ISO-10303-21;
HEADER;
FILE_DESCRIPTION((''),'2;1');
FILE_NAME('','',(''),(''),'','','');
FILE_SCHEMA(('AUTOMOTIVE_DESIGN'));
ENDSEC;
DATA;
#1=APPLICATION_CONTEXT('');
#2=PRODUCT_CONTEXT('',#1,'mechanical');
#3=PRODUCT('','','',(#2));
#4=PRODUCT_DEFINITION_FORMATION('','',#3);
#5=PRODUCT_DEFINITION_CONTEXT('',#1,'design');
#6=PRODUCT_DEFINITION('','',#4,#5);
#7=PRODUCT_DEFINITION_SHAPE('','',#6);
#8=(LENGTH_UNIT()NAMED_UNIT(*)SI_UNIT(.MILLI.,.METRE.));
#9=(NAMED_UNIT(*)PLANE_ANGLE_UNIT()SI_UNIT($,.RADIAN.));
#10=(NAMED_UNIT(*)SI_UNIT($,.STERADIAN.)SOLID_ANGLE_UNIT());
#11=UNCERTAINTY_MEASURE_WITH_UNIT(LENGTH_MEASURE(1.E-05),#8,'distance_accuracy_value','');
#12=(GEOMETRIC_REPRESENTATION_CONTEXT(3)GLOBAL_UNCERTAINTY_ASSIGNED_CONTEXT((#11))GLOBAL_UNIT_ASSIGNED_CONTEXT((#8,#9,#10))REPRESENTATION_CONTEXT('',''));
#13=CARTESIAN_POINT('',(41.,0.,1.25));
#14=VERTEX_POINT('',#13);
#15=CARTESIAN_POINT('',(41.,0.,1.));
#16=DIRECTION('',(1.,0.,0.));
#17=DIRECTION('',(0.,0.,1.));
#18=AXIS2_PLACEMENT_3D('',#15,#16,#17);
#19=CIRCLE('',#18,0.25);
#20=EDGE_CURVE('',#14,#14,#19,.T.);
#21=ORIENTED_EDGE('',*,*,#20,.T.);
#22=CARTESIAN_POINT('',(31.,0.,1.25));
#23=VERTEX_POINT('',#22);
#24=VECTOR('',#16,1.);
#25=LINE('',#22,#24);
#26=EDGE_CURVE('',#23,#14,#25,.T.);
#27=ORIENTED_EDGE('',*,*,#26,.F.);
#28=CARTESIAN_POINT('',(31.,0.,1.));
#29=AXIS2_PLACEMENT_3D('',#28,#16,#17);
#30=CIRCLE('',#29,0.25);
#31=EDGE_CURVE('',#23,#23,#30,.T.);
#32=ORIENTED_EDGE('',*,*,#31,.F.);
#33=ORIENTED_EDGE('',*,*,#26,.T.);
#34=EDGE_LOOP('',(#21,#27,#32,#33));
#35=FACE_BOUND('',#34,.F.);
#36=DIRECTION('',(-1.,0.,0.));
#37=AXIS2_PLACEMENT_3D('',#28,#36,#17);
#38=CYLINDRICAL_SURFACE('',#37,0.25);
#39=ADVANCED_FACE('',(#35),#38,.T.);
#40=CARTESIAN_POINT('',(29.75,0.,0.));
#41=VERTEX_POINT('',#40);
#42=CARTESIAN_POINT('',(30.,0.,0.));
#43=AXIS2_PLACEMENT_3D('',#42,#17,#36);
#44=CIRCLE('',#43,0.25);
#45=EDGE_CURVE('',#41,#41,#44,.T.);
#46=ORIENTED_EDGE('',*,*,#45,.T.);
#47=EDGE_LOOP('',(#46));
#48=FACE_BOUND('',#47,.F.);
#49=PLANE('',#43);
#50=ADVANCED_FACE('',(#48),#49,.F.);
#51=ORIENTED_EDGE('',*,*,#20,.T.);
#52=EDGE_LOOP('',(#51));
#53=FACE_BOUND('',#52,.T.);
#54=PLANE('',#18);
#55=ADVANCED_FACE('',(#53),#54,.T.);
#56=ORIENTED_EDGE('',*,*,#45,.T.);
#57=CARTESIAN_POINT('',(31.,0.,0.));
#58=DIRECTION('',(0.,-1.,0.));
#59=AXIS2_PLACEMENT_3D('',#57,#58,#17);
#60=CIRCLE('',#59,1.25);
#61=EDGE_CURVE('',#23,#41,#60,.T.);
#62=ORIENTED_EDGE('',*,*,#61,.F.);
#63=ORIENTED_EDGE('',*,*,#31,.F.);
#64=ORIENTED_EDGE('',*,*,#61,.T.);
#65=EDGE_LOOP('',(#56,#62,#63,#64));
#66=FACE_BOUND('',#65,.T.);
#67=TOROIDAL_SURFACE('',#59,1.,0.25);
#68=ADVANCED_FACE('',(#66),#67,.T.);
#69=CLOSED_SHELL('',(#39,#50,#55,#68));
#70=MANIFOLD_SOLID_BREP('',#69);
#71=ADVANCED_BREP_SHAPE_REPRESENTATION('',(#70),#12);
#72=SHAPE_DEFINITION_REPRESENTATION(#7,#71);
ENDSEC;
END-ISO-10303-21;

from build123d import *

# Parameters (mm, degrees)
TORUS_R                = 0.25
TORUS_ANGLE            = 90
CYLINDER_R             = 0.25
CYLINDER_DEPTH         = 10
FUSION_PITCH_ANGLE     = -90
FUSION_PLACEMENT_ANGLE = 90


with BuildPart() as torus:
    # Torus → Torus (revolve)
    with BuildSketch(Plane.XZ):
        with Locations((1, 0)):
            Circle(TORUS_R)
    revolve(axis=Axis((0, 0, 0), (0, 0, 1)), revolution_arc=TORUS_ANGLE)


with BuildPart() as fusion:
    # Cylinder → Cylinder (new body)
    with BuildSketch(Plane(origin=(1, 0, 0), x_dir=(1, 0, 0), z_dir=(0, -1, 0))):
        Circle(CYLINDER_R)
    extrude(amount=CYLINDER_DEPTH)

    # Fusion: union Torus
    add(torus.part)


with BuildPart() as fusion_1:
    # Fusion pitch: moved
    add(fusion.part.rotate(Axis((0, 0, 0), (0, 1, 0)), FUSION_PITCH_ANGLE))


with BuildPart() as fusion_2:
    # Fusion placement: moved
    add(fusion_1.part.moved(Location((31, 0, 0))).rotate(Axis((31, 0, 0), (0, 0, 1)), FUSION_PLACEMENT_ANGLE))


solid = fusion_2.part
